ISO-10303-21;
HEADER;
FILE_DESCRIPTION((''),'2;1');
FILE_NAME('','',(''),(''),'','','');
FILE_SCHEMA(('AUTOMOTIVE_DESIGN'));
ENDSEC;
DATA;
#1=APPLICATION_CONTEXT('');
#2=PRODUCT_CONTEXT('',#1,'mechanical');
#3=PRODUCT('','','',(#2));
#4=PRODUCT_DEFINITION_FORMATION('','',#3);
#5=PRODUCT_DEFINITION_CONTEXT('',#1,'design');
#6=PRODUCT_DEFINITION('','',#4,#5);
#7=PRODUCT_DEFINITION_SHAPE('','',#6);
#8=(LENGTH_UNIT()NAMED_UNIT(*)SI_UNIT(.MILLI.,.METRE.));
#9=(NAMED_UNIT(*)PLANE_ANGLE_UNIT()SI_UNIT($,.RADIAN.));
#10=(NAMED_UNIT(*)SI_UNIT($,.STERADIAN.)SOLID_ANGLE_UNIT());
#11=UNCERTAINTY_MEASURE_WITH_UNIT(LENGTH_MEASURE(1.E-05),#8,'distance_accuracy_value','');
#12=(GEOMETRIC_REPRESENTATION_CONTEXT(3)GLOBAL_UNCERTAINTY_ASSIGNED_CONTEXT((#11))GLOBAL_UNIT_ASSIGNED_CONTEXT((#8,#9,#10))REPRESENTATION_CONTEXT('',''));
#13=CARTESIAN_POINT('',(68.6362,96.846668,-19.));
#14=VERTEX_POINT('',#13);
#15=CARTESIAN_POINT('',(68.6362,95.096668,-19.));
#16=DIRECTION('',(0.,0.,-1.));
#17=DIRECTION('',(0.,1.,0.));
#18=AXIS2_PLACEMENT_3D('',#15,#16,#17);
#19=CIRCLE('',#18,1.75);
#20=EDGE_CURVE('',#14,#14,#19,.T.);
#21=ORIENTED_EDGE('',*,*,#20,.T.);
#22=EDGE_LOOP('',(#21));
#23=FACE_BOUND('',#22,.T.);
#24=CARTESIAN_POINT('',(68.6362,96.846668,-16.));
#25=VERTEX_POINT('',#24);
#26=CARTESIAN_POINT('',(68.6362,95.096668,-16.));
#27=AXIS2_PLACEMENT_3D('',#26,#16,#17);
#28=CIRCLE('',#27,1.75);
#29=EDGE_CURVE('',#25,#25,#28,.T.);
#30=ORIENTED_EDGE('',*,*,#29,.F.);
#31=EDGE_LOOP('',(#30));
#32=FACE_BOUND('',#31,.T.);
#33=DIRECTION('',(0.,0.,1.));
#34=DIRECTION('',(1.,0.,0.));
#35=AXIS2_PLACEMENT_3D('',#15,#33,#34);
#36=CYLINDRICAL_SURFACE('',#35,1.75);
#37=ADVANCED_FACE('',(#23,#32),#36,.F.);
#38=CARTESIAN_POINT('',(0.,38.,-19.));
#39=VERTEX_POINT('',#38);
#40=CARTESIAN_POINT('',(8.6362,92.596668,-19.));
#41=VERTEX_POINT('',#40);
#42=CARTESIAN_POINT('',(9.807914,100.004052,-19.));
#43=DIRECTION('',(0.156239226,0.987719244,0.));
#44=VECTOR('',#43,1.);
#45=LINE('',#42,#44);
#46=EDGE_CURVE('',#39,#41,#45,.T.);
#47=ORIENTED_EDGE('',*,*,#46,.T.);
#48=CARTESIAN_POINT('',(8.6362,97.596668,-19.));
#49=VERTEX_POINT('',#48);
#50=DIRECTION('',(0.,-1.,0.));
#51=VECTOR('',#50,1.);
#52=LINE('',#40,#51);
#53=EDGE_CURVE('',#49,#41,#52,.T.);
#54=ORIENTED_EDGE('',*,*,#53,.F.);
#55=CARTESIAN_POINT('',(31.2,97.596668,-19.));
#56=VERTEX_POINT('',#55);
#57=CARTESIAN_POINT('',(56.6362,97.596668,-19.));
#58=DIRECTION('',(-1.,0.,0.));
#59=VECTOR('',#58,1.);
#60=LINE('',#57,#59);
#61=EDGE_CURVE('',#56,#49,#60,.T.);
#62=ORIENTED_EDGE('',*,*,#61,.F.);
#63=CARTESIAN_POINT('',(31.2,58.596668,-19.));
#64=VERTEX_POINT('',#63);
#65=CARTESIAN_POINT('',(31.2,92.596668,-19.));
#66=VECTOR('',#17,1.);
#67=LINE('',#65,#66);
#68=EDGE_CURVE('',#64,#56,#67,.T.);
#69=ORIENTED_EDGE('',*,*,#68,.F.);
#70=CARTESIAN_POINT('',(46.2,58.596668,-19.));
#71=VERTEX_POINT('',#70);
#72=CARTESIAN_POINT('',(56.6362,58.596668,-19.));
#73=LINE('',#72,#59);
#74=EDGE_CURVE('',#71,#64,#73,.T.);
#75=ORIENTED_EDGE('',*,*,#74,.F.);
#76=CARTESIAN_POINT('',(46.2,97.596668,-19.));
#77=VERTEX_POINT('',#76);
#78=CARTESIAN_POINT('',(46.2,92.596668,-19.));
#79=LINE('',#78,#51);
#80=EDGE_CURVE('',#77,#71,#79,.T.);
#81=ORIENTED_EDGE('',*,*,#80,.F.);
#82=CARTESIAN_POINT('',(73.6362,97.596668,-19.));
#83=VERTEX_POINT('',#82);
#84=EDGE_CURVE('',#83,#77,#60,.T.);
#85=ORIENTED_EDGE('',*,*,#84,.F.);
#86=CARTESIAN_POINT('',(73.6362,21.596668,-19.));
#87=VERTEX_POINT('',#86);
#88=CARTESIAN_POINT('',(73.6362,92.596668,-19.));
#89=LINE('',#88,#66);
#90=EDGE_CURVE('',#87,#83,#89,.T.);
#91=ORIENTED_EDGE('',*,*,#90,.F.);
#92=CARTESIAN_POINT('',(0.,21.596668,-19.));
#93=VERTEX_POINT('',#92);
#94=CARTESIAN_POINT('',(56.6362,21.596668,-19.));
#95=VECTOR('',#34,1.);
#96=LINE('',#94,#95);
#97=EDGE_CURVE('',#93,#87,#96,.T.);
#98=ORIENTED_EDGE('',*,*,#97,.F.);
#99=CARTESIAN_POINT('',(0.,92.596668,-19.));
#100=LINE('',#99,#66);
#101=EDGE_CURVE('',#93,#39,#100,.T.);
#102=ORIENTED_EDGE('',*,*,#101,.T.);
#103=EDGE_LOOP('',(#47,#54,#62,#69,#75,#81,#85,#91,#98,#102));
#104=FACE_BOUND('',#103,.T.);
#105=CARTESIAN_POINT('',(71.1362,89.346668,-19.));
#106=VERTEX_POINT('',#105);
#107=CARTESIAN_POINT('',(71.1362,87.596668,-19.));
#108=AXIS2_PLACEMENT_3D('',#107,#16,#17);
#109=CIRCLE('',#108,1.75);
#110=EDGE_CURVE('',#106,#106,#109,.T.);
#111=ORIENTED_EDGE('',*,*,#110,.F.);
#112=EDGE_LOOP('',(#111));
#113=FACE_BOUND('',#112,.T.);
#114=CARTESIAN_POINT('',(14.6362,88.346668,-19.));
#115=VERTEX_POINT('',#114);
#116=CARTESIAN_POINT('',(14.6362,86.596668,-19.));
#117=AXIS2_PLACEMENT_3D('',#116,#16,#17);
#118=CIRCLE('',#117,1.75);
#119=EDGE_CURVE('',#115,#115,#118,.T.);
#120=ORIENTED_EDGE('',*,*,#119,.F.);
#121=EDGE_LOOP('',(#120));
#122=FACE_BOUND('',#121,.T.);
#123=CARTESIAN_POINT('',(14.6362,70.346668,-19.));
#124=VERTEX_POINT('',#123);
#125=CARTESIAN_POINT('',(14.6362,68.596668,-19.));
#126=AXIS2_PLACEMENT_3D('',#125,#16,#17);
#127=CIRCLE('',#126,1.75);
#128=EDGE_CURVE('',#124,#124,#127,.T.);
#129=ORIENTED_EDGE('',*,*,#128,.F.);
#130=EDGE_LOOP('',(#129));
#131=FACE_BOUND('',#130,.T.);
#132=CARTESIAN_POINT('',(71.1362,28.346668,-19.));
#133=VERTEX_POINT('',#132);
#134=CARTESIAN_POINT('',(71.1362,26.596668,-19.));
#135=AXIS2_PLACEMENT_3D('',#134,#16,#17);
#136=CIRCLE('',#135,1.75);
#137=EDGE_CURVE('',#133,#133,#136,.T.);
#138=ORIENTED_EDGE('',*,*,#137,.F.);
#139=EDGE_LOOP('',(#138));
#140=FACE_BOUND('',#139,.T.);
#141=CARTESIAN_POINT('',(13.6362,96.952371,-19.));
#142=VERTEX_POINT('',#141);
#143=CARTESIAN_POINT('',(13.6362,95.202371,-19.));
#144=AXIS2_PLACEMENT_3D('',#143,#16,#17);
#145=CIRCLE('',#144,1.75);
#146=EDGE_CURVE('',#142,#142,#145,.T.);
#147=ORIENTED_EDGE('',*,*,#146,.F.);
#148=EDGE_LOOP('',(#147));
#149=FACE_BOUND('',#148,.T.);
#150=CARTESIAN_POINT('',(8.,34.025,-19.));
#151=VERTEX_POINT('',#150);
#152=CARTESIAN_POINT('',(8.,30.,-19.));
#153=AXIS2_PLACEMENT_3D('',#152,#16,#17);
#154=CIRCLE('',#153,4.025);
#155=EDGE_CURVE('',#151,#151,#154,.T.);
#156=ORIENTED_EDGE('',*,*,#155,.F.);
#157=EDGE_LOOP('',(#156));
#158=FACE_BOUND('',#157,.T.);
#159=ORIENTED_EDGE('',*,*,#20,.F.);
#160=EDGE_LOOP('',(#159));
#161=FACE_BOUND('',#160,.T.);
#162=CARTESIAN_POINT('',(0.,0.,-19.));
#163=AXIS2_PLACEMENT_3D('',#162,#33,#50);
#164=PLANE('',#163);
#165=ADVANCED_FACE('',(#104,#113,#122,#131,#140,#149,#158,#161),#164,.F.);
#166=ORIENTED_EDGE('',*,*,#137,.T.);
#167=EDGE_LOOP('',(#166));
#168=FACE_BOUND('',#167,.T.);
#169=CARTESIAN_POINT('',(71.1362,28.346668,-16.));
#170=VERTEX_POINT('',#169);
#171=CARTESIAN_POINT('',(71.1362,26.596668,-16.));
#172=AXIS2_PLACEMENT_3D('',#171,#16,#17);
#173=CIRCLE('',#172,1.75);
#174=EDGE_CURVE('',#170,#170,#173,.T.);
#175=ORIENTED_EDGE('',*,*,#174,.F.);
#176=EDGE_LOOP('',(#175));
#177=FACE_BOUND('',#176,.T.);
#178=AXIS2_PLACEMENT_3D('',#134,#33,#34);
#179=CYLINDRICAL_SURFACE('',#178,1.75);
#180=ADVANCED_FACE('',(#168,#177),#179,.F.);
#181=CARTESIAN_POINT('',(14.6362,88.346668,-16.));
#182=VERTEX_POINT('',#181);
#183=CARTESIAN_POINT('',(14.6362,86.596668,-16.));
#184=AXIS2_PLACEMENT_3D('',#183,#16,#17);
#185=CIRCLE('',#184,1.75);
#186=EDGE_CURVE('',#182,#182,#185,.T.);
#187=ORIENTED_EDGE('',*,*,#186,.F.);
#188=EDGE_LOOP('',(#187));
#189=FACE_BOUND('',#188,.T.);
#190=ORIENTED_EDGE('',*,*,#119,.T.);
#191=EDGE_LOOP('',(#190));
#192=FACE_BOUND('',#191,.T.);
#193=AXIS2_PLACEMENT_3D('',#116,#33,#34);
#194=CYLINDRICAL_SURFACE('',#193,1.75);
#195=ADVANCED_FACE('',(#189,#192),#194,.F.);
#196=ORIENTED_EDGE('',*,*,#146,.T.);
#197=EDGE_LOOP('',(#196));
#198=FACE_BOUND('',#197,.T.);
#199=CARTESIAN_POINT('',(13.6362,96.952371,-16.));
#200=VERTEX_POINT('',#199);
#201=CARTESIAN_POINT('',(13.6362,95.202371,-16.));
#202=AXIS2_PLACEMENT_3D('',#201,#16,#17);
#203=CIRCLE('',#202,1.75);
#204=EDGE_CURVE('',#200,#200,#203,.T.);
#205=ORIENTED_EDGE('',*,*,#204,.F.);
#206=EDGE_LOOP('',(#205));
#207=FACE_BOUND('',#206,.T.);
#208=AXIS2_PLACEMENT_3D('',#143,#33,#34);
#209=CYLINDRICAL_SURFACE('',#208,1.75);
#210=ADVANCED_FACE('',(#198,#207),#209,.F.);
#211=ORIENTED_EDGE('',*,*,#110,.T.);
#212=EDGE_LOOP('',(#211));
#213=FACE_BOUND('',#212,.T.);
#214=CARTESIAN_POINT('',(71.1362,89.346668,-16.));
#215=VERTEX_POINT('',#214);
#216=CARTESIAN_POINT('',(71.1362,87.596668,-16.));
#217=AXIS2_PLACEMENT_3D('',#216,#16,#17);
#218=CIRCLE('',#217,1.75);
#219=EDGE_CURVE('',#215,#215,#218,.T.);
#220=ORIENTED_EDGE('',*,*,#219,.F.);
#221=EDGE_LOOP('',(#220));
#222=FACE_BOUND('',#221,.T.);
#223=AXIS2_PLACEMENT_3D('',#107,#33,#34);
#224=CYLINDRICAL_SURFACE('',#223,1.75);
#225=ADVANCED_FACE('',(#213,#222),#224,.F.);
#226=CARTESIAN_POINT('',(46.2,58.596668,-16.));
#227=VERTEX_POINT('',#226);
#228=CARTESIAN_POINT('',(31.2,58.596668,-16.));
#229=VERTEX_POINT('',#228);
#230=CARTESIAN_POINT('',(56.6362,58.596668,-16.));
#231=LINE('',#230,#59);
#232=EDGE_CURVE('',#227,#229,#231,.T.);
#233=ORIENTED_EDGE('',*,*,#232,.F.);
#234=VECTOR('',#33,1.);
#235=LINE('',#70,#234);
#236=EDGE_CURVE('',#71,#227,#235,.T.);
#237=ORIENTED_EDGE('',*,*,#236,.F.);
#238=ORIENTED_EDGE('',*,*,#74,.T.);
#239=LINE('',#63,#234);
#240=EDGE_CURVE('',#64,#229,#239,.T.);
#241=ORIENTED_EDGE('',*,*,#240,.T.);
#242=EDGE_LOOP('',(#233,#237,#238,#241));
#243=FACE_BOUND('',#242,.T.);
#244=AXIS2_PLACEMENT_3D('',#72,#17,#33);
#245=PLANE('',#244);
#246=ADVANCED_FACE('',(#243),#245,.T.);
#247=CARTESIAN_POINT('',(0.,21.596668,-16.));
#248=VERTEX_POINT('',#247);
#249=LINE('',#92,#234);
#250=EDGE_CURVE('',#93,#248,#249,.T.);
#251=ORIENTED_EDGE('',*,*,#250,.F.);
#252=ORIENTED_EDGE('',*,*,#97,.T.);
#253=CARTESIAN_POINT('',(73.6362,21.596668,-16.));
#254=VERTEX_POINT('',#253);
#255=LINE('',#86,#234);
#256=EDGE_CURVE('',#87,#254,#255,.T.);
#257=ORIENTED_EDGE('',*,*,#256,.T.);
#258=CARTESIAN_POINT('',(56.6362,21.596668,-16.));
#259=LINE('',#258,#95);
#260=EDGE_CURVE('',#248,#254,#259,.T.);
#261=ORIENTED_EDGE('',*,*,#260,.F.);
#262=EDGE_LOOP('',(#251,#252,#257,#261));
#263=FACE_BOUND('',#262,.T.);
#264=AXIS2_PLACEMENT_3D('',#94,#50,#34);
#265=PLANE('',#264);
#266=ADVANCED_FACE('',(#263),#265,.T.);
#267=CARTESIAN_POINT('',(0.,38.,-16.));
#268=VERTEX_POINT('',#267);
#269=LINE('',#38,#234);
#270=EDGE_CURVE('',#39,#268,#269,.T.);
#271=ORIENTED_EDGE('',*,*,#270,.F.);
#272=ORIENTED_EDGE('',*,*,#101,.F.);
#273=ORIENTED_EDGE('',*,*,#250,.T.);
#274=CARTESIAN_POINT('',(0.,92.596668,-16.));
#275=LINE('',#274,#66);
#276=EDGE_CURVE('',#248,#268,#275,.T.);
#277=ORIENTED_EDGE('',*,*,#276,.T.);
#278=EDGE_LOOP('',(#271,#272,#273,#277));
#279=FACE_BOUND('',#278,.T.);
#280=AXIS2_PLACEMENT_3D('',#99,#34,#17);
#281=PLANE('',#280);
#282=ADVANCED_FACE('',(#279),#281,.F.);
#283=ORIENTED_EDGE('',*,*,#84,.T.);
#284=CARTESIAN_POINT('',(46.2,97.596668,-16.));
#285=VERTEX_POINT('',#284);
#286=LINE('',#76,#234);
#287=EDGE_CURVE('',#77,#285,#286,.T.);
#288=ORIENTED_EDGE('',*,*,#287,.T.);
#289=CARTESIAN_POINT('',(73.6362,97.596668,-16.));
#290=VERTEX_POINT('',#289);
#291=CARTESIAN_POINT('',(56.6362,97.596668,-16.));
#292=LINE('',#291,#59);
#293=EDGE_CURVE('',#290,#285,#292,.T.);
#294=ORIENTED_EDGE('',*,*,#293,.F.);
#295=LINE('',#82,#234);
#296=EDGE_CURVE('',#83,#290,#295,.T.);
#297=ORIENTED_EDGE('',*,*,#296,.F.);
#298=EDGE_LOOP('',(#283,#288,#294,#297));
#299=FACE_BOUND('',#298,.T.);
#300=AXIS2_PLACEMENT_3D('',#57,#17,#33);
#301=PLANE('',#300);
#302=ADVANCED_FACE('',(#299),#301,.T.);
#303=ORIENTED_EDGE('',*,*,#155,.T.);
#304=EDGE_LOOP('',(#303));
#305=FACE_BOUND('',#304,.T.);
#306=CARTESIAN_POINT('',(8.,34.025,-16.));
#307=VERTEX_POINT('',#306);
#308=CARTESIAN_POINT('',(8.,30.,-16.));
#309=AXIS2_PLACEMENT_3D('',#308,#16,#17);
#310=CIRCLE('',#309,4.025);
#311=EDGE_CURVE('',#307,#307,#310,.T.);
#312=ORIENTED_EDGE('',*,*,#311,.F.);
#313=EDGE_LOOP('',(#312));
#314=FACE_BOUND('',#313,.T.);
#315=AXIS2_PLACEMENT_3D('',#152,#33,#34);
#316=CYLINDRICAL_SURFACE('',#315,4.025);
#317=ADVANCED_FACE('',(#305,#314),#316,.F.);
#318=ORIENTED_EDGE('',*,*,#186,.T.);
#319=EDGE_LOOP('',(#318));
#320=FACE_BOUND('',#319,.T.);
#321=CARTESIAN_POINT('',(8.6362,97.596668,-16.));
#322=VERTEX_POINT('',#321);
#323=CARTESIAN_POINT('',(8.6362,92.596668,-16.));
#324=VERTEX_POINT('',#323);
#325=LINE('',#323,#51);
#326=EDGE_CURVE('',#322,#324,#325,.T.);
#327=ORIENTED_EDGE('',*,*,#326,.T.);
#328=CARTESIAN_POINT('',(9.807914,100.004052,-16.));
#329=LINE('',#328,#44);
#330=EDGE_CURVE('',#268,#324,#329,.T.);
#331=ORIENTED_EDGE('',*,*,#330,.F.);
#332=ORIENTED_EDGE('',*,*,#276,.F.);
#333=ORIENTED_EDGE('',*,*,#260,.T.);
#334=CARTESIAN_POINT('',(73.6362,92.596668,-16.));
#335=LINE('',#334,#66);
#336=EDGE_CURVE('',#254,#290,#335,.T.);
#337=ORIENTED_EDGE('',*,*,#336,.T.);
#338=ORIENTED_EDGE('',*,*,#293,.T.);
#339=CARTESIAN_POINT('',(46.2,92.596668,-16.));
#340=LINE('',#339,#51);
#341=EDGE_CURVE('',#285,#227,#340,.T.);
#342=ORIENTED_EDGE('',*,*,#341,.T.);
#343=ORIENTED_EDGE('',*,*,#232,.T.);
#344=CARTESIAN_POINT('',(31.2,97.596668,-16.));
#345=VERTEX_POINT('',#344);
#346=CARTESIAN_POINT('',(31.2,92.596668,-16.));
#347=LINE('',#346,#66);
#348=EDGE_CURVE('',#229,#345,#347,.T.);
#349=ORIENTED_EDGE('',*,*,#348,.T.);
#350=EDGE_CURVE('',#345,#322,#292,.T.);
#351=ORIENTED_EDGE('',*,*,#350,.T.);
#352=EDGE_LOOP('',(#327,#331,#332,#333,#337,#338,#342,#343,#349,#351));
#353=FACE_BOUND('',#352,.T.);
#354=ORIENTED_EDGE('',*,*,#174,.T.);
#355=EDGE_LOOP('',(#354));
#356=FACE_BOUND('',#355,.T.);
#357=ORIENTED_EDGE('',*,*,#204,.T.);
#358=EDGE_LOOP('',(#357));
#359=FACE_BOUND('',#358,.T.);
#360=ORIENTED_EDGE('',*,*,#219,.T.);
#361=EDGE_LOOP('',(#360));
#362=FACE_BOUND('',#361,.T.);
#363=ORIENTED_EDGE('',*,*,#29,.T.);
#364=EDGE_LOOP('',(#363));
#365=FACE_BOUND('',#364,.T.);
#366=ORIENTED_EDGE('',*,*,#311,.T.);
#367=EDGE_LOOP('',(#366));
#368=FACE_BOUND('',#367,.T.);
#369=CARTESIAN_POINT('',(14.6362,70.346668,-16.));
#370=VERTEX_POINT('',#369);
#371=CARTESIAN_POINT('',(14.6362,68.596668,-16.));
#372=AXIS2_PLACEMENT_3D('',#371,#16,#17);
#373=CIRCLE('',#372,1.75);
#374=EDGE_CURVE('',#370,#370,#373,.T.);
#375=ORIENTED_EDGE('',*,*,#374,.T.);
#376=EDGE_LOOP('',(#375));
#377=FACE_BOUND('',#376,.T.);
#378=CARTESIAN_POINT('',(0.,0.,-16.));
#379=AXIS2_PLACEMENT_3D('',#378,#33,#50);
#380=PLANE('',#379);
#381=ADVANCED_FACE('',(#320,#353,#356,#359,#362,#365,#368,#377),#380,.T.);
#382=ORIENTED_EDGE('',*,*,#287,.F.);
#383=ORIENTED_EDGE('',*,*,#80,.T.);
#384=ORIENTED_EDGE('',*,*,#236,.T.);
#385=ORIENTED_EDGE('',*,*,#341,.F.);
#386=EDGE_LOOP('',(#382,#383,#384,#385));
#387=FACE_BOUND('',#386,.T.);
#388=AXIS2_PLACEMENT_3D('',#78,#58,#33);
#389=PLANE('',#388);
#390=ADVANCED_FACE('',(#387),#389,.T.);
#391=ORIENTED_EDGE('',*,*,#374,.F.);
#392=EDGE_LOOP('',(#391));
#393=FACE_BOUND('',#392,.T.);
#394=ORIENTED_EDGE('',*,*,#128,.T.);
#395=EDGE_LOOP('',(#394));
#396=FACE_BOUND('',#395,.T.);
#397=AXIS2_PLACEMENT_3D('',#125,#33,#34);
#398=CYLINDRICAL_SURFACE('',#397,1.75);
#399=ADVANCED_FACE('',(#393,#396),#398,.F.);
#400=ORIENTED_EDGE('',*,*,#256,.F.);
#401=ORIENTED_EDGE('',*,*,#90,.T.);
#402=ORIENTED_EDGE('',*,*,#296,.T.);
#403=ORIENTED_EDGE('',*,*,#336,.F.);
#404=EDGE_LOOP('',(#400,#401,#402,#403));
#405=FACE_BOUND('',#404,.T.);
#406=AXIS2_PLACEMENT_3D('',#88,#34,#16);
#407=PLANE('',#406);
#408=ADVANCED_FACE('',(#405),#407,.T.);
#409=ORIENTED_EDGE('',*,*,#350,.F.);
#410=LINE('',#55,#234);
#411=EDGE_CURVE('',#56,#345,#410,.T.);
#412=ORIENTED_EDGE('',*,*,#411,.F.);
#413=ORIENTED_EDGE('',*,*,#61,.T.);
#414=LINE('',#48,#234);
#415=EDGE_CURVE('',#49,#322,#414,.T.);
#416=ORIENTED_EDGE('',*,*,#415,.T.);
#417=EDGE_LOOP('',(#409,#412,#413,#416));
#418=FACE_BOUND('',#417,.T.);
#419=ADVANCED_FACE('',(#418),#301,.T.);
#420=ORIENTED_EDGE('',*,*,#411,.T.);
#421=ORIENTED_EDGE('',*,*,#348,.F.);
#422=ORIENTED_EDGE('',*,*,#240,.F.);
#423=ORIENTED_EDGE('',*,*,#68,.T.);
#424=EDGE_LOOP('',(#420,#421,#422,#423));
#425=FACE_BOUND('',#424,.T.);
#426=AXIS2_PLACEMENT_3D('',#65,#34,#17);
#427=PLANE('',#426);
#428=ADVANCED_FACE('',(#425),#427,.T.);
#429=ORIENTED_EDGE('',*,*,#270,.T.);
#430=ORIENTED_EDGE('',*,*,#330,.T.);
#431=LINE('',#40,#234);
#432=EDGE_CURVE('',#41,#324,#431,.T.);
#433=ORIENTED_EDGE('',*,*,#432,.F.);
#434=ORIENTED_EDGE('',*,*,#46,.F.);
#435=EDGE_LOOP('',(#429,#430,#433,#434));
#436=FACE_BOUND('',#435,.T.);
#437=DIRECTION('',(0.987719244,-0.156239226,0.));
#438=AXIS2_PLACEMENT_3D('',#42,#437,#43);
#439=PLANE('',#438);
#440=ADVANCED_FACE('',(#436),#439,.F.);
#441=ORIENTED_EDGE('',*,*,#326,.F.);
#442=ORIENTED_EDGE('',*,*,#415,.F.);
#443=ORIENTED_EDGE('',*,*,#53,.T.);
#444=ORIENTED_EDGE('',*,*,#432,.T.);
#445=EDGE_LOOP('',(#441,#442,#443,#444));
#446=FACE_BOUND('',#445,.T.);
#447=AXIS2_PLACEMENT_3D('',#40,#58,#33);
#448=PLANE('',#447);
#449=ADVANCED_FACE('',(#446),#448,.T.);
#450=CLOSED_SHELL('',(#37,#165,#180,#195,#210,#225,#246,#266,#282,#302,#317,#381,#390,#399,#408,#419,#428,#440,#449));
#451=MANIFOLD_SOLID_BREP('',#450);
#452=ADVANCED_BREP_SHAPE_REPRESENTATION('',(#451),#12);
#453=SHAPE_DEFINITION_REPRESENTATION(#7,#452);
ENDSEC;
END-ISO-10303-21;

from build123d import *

# Parameters (mm, degrees)
EXTRUDE_START   = -16
SKETCH_1_R      = 1.75
SKETCH_1_R_2    = 4.025
EXTRUDE_1_DEPTH = 3


with BuildPart() as part:
    # ｽｹｯﾁ1 → ﾎﾞｽ - 押し出し1 (new body)
    with BuildSketch(Plane.XY.offset(EXTRUDE_START)):
        Polygon((8.636200269, 92.596668368), (0, 38), (0, 21.596668368), (68.636200269, 21.596668368), (73.636200269, 21.596668368), (73.636200269, 97.596668368), (60, 97.596668368), (46.2, 97.596668368), (46.2, 92.596668368), (46.2, 58.596668368), (31.2, 58.596668368), (31.2, 92.596668368), (31.2, 97.596668368), (8.636200269, 97.596668368), align=None)
        with Locations((14.636200269, 86.596668368)):
            Circle(SKETCH_1_R, mode=Mode.SUBTRACT)
        with Locations((14.636200269, 68.596668368)):
            Circle(SKETCH_1_R, mode=Mode.SUBTRACT)
        with Locations((8, 30)):
            Circle(SKETCH_1_R_2, mode=Mode.SUBTRACT)
        with Locations((71.136200269, 26.596668368)):
            Circle(SKETCH_1_R, mode=Mode.SUBTRACT)
        with Locations((71.136200269, 87.596668368)):
            Circle(SKETCH_1_R, mode=Mode.SUBTRACT)
        with Locations((68.636200269, 95.096668368)):
            Circle(SKETCH_1_R, mode=Mode.SUBTRACT)
        with Locations((13.636200269, 95.202370808)):
            Circle(SKETCH_1_R, mode=Mode.SUBTRACT)
    extrude(amount=-EXTRUDE_1_DEPTH)


solid = part.part
